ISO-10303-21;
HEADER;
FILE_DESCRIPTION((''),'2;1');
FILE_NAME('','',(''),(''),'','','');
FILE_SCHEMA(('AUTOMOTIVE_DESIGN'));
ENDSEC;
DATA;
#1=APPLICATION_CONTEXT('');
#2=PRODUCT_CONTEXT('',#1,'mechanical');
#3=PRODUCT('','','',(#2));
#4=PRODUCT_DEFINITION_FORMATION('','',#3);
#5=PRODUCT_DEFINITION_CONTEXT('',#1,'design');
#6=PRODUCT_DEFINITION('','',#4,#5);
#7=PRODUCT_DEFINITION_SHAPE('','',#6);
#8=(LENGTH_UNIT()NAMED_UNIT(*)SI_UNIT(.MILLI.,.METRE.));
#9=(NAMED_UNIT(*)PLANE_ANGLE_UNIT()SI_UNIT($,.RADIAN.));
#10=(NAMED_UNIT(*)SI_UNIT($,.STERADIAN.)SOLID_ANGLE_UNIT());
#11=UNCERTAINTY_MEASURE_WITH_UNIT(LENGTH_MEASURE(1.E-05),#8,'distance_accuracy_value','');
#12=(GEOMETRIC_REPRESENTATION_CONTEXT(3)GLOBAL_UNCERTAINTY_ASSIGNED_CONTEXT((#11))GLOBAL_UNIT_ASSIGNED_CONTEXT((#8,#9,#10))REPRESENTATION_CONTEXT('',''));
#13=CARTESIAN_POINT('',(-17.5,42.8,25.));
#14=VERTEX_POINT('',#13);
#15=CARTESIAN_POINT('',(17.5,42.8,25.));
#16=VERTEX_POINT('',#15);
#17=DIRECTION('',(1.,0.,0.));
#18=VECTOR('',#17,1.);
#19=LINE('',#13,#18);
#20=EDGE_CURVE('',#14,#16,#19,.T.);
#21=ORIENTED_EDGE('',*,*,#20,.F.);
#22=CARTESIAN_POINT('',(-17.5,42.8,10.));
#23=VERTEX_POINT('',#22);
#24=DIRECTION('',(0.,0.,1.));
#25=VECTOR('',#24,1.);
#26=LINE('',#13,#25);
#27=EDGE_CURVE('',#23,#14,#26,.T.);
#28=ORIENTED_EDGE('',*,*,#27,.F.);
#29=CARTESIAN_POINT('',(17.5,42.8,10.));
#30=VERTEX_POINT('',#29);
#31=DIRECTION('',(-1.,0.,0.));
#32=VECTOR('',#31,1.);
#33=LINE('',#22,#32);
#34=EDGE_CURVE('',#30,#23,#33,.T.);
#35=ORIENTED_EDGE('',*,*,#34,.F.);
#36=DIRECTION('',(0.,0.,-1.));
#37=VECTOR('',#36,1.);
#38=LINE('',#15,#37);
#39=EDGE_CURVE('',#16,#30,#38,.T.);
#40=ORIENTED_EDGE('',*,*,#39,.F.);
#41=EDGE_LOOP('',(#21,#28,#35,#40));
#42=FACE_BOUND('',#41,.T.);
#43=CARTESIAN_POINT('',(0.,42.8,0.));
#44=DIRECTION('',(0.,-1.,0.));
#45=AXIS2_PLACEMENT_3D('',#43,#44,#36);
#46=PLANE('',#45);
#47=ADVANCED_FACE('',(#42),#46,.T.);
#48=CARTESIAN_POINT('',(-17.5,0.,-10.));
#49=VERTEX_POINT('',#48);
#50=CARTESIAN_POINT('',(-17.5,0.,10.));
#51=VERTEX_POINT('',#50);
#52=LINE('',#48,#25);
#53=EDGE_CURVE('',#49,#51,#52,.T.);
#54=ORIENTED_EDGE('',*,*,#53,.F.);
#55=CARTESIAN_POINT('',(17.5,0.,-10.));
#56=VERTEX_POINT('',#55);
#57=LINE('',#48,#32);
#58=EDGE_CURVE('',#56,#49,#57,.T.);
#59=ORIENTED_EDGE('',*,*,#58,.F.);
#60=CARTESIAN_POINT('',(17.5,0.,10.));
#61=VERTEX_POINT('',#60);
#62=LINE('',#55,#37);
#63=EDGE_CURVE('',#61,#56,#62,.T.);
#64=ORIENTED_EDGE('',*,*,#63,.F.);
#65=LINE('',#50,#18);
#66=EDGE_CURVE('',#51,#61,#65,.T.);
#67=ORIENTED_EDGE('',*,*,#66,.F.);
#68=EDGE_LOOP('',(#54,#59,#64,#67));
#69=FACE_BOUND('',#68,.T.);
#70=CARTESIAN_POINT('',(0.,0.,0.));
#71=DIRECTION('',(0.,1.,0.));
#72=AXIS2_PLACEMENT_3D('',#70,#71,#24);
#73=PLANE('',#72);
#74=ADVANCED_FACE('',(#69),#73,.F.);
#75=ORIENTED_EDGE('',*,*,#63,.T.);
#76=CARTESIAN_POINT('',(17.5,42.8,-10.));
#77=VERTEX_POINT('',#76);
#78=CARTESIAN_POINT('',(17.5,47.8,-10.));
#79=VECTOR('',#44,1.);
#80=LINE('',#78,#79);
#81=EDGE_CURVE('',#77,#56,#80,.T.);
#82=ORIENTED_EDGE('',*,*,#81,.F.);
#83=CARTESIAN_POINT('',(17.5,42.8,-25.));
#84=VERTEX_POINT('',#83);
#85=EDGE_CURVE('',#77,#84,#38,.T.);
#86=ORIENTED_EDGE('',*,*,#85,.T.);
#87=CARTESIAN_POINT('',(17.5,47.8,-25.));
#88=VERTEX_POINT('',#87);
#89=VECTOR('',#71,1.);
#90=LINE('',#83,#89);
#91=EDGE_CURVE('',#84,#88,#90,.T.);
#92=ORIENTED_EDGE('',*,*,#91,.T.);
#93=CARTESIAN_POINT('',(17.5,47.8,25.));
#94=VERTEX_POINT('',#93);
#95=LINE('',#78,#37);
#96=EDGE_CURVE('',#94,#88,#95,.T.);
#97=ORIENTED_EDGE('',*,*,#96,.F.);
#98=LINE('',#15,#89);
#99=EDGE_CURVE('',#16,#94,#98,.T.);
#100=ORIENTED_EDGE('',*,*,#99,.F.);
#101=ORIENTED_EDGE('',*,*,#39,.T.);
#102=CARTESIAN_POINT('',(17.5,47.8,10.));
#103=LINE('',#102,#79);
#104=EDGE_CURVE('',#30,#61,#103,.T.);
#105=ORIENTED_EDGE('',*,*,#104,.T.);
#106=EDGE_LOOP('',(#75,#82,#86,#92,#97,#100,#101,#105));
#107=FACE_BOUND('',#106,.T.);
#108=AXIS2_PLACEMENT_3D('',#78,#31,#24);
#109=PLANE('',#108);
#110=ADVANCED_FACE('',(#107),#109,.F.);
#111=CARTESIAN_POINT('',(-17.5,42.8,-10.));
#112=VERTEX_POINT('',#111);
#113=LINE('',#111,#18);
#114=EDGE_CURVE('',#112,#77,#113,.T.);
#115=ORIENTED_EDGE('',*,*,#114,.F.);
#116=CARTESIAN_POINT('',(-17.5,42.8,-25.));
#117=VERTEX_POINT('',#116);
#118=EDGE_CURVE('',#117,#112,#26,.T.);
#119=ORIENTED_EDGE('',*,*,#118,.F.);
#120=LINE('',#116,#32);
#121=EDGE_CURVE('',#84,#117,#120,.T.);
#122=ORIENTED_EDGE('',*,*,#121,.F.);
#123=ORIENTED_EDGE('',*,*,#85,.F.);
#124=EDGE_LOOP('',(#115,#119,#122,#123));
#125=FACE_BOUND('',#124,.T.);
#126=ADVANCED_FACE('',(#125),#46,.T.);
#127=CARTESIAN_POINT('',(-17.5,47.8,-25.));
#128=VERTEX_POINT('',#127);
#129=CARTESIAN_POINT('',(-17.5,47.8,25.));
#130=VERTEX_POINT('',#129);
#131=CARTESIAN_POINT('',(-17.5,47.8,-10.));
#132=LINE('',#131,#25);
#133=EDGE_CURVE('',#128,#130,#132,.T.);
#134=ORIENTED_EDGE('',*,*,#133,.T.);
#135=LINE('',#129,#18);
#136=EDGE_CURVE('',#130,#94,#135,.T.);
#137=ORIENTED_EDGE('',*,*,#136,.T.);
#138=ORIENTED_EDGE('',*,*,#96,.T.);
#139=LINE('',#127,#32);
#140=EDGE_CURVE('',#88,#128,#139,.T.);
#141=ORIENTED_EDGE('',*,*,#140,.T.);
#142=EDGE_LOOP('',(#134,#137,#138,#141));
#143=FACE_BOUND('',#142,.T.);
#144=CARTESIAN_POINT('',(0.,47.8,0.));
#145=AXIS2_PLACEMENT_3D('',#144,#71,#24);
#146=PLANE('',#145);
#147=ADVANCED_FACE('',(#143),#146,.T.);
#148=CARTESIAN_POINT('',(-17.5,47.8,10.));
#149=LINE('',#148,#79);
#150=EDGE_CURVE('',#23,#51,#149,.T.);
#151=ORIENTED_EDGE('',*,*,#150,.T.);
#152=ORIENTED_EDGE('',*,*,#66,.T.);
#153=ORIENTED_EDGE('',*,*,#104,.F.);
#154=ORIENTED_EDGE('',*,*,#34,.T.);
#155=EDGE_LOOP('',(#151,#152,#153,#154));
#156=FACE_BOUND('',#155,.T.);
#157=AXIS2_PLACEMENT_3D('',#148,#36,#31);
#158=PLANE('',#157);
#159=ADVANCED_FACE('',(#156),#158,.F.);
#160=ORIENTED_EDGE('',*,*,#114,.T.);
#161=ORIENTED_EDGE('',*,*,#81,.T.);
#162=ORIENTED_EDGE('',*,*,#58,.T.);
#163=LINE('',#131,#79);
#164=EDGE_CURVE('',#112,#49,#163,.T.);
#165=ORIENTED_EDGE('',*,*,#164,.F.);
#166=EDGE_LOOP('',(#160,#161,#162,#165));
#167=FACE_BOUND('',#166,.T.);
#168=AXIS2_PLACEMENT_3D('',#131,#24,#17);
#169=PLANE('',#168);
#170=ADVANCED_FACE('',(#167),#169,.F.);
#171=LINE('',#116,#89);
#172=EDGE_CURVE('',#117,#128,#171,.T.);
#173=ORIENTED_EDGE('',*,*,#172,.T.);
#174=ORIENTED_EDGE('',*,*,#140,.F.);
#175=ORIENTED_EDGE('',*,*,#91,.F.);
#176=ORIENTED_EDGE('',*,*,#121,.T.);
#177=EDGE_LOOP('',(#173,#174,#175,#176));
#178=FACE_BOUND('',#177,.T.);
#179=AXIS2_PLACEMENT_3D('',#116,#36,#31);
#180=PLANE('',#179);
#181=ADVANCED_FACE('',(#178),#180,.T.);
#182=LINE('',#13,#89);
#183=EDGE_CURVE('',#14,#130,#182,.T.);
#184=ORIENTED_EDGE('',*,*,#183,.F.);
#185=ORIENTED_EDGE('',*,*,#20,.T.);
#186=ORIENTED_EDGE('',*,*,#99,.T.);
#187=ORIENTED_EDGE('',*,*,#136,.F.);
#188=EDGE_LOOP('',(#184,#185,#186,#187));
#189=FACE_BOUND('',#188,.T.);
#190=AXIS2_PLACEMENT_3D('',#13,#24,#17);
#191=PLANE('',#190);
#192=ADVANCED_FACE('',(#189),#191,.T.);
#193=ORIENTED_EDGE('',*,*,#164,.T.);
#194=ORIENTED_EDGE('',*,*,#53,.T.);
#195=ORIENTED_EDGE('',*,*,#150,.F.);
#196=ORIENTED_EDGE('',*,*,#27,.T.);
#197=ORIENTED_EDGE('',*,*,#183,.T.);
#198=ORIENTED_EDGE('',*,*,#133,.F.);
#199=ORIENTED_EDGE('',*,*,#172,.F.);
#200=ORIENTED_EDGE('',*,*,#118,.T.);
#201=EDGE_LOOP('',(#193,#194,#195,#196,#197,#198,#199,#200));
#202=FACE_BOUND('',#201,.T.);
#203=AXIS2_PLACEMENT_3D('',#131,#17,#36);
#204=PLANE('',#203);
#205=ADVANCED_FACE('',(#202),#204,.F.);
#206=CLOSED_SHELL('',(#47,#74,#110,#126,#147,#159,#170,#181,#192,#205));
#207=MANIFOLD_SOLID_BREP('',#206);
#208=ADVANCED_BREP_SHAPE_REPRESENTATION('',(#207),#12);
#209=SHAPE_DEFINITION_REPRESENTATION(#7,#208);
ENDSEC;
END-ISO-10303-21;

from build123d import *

# Parameters (mm, degrees)
SKETCH2_W           = 35
SKETCH2_H           = 20
BOSS_EXTRUDE1_DEPTH = 47.8
SKETCH3_W           = 35
SKETCH3_H           = 50
BOSS_EXTRUDE2_DEPTH = 5


with BuildPart() as part:
    # Sketch2 → Boss-Extrude1 (new body)
    with BuildSketch(Plane(origin=(0, 0, 0), x_dir=(1, 0, 0), z_dir=(0, 1, 0))):
        Rectangle(SKETCH2_W, SKETCH2_H)
    extrude(amount=BOSS_EXTRUDE1_DEPTH)

    # Sketch3 → Boss-Extrude2 (add)
    with BuildSketch(Plane(origin=(0, 47.8, 0), x_dir=(1, 0, 0), z_dir=(0, 1, 0))):
        Rectangle(SKETCH3_W, SKETCH3_H)
    extrude(amount=-BOSS_EXTRUDE2_DEPTH)


solid = part.part
